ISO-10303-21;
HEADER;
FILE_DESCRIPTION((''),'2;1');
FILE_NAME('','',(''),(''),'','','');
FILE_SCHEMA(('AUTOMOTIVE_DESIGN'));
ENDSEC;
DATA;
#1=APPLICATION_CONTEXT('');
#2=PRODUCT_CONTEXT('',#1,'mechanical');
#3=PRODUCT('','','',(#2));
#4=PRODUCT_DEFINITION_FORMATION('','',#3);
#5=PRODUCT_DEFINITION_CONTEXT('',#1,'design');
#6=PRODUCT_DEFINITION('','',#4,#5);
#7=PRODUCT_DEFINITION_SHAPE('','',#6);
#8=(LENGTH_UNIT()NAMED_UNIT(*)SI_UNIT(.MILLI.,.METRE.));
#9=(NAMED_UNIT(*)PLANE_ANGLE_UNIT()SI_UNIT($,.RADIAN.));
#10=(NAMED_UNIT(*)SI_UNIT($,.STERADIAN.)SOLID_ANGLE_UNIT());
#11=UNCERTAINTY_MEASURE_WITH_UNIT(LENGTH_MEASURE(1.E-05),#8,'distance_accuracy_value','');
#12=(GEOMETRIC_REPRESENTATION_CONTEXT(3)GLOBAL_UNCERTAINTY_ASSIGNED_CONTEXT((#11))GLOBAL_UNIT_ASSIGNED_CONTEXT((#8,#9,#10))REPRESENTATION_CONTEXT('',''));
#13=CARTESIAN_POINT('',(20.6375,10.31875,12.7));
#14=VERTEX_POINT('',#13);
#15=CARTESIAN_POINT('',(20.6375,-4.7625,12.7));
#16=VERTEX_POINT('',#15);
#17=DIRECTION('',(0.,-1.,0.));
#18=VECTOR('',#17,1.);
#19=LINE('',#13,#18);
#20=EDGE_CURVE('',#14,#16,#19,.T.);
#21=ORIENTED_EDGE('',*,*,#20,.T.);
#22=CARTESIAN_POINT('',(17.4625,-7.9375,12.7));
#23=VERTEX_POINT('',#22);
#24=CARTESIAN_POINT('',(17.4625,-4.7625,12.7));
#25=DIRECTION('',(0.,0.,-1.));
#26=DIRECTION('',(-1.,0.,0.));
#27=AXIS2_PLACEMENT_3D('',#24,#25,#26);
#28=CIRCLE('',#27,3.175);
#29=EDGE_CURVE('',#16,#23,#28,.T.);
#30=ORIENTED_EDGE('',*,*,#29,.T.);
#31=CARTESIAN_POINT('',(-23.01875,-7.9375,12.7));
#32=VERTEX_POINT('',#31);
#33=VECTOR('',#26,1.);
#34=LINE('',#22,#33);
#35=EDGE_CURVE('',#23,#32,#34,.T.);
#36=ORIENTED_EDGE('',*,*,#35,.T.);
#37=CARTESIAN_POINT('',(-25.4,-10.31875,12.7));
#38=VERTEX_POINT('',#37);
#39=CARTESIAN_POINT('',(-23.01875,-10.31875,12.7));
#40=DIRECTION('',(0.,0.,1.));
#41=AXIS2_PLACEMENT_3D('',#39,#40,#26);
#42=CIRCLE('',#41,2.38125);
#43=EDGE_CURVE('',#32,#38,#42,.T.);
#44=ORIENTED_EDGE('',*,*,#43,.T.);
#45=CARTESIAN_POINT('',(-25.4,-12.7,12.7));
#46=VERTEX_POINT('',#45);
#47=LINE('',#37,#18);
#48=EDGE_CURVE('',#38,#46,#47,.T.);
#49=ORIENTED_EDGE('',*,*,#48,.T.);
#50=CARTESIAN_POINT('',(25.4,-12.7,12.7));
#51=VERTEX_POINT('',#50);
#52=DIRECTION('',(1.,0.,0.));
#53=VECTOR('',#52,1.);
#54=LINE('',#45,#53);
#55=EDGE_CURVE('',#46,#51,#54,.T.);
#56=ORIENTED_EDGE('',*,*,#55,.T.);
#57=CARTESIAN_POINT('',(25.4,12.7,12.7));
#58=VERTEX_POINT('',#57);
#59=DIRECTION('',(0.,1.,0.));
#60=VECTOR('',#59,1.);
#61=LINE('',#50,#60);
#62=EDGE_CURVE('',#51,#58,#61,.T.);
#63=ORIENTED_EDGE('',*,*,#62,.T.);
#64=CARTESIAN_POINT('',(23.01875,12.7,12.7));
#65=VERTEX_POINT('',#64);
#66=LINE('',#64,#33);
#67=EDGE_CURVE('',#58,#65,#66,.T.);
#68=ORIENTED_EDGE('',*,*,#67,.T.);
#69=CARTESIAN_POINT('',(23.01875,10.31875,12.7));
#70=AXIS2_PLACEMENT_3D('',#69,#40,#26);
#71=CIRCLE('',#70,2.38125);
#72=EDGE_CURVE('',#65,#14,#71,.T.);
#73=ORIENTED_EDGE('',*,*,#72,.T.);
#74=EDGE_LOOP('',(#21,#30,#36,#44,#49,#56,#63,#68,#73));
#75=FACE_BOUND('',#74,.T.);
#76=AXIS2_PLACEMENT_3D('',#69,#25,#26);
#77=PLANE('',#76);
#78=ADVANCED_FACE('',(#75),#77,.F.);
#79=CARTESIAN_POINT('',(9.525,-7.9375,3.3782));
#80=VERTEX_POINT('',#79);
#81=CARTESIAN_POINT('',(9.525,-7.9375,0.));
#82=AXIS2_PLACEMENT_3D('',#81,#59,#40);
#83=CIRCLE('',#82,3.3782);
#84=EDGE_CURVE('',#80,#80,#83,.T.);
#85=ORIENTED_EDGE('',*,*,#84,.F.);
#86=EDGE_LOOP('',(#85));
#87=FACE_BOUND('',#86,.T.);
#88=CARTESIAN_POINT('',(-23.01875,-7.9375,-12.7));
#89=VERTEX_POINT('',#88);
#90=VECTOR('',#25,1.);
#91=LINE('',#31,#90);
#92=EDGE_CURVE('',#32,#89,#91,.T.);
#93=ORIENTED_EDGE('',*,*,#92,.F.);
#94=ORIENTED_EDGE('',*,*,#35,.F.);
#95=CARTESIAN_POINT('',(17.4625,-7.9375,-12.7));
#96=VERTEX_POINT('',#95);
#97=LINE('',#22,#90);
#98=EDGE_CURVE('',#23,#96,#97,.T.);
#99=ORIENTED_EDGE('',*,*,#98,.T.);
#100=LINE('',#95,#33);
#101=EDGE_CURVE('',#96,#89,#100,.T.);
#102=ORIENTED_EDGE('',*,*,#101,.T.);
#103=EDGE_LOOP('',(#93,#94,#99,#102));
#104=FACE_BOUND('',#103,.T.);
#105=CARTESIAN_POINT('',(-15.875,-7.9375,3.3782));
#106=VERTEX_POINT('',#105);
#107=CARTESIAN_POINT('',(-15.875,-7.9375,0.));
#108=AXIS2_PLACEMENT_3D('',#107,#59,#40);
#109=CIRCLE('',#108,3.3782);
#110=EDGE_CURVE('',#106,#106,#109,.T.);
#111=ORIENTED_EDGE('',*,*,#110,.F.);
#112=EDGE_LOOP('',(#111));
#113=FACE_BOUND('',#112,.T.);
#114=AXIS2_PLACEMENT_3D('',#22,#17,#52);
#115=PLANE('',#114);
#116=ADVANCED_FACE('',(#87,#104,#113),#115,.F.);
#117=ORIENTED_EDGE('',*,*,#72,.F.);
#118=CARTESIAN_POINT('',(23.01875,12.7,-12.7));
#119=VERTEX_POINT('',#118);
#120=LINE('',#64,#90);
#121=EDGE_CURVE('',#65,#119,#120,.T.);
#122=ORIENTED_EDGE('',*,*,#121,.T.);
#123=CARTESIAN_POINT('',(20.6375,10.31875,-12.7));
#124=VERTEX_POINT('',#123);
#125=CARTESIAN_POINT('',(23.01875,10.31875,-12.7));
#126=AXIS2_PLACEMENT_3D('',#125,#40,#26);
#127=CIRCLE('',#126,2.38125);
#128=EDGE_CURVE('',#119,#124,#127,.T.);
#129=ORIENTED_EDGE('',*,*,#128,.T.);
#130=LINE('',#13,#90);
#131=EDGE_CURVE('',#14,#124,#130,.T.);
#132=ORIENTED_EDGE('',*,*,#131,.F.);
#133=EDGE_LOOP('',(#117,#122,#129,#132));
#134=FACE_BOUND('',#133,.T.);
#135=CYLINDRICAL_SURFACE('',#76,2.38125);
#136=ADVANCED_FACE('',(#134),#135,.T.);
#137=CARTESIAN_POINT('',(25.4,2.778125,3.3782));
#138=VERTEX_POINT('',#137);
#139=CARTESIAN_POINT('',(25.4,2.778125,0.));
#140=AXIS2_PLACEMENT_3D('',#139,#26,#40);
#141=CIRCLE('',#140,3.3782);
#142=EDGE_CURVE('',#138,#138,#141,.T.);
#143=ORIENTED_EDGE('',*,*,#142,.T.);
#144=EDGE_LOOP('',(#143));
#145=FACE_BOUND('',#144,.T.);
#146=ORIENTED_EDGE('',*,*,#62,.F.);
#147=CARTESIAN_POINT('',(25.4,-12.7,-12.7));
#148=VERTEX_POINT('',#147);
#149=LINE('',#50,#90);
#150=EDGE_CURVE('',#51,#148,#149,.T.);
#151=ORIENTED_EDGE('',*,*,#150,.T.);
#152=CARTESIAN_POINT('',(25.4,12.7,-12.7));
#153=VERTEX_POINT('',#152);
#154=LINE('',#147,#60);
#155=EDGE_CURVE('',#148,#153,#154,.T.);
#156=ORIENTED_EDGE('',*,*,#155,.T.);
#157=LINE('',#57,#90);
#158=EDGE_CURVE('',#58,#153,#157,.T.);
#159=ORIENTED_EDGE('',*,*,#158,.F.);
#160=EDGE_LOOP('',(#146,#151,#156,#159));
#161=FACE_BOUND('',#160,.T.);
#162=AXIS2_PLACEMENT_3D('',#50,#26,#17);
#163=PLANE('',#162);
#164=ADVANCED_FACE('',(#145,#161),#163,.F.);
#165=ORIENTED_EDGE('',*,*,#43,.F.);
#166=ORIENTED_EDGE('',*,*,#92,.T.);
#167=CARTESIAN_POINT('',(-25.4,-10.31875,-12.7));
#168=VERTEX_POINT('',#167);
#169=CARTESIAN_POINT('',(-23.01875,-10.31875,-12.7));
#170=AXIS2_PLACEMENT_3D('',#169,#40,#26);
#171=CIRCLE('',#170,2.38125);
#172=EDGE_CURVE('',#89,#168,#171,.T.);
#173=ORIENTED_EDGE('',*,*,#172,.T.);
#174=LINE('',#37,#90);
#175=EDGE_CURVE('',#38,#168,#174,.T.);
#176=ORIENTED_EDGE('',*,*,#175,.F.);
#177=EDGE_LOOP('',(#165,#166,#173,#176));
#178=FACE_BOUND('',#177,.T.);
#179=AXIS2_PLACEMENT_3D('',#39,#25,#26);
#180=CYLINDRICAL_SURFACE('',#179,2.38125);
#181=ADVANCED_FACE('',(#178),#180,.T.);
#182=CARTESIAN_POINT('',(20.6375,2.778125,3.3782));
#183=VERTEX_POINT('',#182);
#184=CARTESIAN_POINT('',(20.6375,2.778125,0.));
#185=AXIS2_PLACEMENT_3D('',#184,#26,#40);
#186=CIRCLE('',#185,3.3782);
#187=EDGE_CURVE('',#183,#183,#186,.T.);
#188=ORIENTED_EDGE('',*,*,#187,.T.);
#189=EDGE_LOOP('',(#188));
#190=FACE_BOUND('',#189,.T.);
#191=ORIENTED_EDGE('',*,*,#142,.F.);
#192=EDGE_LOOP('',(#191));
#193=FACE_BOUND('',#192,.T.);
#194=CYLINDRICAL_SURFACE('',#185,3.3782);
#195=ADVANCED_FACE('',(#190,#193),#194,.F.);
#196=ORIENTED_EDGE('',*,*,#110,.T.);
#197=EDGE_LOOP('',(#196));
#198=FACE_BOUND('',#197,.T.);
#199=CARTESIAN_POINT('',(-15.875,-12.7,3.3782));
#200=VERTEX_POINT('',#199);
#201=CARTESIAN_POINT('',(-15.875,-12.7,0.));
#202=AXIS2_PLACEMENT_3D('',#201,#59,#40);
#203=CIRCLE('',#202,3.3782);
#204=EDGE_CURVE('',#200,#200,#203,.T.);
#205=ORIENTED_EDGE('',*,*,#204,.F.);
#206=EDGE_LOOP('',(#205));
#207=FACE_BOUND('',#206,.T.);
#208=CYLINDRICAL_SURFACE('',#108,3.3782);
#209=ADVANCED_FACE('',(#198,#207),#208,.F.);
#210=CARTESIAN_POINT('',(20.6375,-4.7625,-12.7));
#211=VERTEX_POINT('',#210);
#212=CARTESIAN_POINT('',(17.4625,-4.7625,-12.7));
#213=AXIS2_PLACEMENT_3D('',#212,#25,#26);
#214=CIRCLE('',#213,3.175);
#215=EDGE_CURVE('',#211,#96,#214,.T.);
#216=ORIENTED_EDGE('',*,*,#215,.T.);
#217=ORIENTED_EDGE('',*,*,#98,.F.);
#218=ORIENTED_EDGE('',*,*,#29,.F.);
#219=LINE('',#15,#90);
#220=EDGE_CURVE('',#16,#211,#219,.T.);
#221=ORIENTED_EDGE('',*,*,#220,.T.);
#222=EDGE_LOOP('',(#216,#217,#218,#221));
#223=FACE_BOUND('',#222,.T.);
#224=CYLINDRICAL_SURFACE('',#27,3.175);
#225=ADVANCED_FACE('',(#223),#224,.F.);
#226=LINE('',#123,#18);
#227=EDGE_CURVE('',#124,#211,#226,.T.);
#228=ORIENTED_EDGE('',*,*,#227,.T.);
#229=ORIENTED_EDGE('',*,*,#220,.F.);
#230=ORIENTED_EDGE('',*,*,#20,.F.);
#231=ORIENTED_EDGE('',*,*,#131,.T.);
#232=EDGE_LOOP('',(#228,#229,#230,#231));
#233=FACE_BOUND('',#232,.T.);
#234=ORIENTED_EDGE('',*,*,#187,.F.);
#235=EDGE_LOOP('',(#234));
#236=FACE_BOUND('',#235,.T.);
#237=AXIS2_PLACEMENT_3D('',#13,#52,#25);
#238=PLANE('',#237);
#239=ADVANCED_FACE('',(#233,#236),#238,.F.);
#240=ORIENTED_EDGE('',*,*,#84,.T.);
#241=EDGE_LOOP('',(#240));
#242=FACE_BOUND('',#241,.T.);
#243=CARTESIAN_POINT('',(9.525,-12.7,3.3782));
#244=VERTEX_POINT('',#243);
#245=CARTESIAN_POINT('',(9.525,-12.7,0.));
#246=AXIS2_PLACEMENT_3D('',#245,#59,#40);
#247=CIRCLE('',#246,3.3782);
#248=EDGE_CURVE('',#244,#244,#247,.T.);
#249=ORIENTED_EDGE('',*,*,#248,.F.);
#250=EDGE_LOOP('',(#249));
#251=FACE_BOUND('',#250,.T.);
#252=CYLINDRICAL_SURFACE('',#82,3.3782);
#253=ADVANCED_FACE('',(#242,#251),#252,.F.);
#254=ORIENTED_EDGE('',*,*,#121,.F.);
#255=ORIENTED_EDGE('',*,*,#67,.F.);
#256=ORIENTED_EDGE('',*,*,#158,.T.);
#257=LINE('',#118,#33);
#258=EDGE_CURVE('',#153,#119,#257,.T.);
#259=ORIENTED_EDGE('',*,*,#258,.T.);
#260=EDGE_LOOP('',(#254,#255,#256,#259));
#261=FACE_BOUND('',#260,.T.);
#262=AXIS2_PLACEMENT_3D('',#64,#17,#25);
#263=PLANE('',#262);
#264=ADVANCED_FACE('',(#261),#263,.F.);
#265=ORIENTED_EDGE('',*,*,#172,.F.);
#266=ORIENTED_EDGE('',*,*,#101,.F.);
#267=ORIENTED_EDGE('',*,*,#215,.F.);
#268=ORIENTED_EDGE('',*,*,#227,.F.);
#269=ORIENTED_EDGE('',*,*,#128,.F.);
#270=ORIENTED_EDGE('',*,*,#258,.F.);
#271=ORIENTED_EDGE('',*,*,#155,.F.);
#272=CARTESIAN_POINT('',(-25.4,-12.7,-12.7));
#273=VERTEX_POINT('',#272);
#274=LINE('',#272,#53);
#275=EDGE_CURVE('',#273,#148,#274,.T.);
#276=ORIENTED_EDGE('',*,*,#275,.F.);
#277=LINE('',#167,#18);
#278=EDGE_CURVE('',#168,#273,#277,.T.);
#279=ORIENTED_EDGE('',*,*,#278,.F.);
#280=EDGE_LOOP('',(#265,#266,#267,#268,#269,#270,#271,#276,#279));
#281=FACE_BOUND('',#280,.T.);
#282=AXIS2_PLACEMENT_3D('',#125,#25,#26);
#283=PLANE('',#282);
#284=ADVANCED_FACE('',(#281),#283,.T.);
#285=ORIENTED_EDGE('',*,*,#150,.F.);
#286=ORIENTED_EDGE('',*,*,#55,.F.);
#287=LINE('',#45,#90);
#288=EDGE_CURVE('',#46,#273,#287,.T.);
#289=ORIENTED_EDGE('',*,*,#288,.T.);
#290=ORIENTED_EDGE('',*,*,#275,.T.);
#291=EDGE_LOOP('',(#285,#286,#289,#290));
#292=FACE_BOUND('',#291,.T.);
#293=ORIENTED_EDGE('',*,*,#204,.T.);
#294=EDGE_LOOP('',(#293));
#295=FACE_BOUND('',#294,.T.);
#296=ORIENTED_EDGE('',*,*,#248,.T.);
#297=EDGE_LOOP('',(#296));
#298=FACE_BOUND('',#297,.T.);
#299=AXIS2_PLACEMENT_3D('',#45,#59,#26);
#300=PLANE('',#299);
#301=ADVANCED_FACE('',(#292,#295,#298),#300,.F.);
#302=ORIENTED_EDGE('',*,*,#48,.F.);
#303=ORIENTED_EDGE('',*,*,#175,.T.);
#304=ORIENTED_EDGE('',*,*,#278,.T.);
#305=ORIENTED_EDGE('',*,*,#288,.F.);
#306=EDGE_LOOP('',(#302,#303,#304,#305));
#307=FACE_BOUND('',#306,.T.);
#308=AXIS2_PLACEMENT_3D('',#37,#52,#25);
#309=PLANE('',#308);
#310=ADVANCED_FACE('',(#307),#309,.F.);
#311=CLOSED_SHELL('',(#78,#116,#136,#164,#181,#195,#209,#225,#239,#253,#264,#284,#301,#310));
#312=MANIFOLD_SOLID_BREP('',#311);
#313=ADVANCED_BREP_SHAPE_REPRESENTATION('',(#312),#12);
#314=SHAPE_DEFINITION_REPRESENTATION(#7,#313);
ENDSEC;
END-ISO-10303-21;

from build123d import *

# Parameters (mm, degrees)
BOSS_EXTRUDE1_DEPTH     = 12.7
F_1_4_CLEARANCE_HOLE1_D = 6.7564
F_1_4_CLEARANCE_HOLE2_D = 6.7564


with BuildPart() as part:
    # Sketch2 → Boss-Extrude1 (new, symmetric)
    with BuildSketch(Plane.XY):
        with BuildLine():
            Line((-25.4, -12.7), (25.4, -12.7))
            Line((25.4, -12.7), (25.4, 12.7))
            Line((25.4, 12.7), (23.01875, 12.7))
            ThreePointArc((23.01875, 12.7), (21.334951977, 12.002548023), (20.6375, 10.31875))
            Line((20.6375, 10.31875), (20.6375, -4.7625))
            ThreePointArc((20.6375, -4.7625), (19.70756403, -7.00756403), (17.4625, -7.9375))
            Line((17.4625, -7.9375), (-23.01875, -7.9375))
            ThreePointArc((-23.01875, -7.9375), (-24.702548023, -8.634951977), (-25.4, -10.31875))
            Line((-25.4, -10.31875), (-25.4, -12.7))
        make_face()
    extrude(amount=BOSS_EXTRUDE1_DEPTH, both=True)

    # 1/4 Clearance Hole1 (through all)
    with Locations(Plane.ZY.offset(-20.6375)):
        with Locations((0, 2.778125)):
            Hole(F_1_4_CLEARANCE_HOLE1_D / 2)

    # 1/4 Clearance Hole2 (through all)
    with Locations(Plane(origin=(0, -7.9375, 0), x_dir=(1, 0, 0), z_dir=(0, 1, 0))):
        with Locations((9.525, 0), (-15.875, 0)):
            Hole(F_1_4_CLEARANCE_HOLE2_D / 2)


solid = part.part
